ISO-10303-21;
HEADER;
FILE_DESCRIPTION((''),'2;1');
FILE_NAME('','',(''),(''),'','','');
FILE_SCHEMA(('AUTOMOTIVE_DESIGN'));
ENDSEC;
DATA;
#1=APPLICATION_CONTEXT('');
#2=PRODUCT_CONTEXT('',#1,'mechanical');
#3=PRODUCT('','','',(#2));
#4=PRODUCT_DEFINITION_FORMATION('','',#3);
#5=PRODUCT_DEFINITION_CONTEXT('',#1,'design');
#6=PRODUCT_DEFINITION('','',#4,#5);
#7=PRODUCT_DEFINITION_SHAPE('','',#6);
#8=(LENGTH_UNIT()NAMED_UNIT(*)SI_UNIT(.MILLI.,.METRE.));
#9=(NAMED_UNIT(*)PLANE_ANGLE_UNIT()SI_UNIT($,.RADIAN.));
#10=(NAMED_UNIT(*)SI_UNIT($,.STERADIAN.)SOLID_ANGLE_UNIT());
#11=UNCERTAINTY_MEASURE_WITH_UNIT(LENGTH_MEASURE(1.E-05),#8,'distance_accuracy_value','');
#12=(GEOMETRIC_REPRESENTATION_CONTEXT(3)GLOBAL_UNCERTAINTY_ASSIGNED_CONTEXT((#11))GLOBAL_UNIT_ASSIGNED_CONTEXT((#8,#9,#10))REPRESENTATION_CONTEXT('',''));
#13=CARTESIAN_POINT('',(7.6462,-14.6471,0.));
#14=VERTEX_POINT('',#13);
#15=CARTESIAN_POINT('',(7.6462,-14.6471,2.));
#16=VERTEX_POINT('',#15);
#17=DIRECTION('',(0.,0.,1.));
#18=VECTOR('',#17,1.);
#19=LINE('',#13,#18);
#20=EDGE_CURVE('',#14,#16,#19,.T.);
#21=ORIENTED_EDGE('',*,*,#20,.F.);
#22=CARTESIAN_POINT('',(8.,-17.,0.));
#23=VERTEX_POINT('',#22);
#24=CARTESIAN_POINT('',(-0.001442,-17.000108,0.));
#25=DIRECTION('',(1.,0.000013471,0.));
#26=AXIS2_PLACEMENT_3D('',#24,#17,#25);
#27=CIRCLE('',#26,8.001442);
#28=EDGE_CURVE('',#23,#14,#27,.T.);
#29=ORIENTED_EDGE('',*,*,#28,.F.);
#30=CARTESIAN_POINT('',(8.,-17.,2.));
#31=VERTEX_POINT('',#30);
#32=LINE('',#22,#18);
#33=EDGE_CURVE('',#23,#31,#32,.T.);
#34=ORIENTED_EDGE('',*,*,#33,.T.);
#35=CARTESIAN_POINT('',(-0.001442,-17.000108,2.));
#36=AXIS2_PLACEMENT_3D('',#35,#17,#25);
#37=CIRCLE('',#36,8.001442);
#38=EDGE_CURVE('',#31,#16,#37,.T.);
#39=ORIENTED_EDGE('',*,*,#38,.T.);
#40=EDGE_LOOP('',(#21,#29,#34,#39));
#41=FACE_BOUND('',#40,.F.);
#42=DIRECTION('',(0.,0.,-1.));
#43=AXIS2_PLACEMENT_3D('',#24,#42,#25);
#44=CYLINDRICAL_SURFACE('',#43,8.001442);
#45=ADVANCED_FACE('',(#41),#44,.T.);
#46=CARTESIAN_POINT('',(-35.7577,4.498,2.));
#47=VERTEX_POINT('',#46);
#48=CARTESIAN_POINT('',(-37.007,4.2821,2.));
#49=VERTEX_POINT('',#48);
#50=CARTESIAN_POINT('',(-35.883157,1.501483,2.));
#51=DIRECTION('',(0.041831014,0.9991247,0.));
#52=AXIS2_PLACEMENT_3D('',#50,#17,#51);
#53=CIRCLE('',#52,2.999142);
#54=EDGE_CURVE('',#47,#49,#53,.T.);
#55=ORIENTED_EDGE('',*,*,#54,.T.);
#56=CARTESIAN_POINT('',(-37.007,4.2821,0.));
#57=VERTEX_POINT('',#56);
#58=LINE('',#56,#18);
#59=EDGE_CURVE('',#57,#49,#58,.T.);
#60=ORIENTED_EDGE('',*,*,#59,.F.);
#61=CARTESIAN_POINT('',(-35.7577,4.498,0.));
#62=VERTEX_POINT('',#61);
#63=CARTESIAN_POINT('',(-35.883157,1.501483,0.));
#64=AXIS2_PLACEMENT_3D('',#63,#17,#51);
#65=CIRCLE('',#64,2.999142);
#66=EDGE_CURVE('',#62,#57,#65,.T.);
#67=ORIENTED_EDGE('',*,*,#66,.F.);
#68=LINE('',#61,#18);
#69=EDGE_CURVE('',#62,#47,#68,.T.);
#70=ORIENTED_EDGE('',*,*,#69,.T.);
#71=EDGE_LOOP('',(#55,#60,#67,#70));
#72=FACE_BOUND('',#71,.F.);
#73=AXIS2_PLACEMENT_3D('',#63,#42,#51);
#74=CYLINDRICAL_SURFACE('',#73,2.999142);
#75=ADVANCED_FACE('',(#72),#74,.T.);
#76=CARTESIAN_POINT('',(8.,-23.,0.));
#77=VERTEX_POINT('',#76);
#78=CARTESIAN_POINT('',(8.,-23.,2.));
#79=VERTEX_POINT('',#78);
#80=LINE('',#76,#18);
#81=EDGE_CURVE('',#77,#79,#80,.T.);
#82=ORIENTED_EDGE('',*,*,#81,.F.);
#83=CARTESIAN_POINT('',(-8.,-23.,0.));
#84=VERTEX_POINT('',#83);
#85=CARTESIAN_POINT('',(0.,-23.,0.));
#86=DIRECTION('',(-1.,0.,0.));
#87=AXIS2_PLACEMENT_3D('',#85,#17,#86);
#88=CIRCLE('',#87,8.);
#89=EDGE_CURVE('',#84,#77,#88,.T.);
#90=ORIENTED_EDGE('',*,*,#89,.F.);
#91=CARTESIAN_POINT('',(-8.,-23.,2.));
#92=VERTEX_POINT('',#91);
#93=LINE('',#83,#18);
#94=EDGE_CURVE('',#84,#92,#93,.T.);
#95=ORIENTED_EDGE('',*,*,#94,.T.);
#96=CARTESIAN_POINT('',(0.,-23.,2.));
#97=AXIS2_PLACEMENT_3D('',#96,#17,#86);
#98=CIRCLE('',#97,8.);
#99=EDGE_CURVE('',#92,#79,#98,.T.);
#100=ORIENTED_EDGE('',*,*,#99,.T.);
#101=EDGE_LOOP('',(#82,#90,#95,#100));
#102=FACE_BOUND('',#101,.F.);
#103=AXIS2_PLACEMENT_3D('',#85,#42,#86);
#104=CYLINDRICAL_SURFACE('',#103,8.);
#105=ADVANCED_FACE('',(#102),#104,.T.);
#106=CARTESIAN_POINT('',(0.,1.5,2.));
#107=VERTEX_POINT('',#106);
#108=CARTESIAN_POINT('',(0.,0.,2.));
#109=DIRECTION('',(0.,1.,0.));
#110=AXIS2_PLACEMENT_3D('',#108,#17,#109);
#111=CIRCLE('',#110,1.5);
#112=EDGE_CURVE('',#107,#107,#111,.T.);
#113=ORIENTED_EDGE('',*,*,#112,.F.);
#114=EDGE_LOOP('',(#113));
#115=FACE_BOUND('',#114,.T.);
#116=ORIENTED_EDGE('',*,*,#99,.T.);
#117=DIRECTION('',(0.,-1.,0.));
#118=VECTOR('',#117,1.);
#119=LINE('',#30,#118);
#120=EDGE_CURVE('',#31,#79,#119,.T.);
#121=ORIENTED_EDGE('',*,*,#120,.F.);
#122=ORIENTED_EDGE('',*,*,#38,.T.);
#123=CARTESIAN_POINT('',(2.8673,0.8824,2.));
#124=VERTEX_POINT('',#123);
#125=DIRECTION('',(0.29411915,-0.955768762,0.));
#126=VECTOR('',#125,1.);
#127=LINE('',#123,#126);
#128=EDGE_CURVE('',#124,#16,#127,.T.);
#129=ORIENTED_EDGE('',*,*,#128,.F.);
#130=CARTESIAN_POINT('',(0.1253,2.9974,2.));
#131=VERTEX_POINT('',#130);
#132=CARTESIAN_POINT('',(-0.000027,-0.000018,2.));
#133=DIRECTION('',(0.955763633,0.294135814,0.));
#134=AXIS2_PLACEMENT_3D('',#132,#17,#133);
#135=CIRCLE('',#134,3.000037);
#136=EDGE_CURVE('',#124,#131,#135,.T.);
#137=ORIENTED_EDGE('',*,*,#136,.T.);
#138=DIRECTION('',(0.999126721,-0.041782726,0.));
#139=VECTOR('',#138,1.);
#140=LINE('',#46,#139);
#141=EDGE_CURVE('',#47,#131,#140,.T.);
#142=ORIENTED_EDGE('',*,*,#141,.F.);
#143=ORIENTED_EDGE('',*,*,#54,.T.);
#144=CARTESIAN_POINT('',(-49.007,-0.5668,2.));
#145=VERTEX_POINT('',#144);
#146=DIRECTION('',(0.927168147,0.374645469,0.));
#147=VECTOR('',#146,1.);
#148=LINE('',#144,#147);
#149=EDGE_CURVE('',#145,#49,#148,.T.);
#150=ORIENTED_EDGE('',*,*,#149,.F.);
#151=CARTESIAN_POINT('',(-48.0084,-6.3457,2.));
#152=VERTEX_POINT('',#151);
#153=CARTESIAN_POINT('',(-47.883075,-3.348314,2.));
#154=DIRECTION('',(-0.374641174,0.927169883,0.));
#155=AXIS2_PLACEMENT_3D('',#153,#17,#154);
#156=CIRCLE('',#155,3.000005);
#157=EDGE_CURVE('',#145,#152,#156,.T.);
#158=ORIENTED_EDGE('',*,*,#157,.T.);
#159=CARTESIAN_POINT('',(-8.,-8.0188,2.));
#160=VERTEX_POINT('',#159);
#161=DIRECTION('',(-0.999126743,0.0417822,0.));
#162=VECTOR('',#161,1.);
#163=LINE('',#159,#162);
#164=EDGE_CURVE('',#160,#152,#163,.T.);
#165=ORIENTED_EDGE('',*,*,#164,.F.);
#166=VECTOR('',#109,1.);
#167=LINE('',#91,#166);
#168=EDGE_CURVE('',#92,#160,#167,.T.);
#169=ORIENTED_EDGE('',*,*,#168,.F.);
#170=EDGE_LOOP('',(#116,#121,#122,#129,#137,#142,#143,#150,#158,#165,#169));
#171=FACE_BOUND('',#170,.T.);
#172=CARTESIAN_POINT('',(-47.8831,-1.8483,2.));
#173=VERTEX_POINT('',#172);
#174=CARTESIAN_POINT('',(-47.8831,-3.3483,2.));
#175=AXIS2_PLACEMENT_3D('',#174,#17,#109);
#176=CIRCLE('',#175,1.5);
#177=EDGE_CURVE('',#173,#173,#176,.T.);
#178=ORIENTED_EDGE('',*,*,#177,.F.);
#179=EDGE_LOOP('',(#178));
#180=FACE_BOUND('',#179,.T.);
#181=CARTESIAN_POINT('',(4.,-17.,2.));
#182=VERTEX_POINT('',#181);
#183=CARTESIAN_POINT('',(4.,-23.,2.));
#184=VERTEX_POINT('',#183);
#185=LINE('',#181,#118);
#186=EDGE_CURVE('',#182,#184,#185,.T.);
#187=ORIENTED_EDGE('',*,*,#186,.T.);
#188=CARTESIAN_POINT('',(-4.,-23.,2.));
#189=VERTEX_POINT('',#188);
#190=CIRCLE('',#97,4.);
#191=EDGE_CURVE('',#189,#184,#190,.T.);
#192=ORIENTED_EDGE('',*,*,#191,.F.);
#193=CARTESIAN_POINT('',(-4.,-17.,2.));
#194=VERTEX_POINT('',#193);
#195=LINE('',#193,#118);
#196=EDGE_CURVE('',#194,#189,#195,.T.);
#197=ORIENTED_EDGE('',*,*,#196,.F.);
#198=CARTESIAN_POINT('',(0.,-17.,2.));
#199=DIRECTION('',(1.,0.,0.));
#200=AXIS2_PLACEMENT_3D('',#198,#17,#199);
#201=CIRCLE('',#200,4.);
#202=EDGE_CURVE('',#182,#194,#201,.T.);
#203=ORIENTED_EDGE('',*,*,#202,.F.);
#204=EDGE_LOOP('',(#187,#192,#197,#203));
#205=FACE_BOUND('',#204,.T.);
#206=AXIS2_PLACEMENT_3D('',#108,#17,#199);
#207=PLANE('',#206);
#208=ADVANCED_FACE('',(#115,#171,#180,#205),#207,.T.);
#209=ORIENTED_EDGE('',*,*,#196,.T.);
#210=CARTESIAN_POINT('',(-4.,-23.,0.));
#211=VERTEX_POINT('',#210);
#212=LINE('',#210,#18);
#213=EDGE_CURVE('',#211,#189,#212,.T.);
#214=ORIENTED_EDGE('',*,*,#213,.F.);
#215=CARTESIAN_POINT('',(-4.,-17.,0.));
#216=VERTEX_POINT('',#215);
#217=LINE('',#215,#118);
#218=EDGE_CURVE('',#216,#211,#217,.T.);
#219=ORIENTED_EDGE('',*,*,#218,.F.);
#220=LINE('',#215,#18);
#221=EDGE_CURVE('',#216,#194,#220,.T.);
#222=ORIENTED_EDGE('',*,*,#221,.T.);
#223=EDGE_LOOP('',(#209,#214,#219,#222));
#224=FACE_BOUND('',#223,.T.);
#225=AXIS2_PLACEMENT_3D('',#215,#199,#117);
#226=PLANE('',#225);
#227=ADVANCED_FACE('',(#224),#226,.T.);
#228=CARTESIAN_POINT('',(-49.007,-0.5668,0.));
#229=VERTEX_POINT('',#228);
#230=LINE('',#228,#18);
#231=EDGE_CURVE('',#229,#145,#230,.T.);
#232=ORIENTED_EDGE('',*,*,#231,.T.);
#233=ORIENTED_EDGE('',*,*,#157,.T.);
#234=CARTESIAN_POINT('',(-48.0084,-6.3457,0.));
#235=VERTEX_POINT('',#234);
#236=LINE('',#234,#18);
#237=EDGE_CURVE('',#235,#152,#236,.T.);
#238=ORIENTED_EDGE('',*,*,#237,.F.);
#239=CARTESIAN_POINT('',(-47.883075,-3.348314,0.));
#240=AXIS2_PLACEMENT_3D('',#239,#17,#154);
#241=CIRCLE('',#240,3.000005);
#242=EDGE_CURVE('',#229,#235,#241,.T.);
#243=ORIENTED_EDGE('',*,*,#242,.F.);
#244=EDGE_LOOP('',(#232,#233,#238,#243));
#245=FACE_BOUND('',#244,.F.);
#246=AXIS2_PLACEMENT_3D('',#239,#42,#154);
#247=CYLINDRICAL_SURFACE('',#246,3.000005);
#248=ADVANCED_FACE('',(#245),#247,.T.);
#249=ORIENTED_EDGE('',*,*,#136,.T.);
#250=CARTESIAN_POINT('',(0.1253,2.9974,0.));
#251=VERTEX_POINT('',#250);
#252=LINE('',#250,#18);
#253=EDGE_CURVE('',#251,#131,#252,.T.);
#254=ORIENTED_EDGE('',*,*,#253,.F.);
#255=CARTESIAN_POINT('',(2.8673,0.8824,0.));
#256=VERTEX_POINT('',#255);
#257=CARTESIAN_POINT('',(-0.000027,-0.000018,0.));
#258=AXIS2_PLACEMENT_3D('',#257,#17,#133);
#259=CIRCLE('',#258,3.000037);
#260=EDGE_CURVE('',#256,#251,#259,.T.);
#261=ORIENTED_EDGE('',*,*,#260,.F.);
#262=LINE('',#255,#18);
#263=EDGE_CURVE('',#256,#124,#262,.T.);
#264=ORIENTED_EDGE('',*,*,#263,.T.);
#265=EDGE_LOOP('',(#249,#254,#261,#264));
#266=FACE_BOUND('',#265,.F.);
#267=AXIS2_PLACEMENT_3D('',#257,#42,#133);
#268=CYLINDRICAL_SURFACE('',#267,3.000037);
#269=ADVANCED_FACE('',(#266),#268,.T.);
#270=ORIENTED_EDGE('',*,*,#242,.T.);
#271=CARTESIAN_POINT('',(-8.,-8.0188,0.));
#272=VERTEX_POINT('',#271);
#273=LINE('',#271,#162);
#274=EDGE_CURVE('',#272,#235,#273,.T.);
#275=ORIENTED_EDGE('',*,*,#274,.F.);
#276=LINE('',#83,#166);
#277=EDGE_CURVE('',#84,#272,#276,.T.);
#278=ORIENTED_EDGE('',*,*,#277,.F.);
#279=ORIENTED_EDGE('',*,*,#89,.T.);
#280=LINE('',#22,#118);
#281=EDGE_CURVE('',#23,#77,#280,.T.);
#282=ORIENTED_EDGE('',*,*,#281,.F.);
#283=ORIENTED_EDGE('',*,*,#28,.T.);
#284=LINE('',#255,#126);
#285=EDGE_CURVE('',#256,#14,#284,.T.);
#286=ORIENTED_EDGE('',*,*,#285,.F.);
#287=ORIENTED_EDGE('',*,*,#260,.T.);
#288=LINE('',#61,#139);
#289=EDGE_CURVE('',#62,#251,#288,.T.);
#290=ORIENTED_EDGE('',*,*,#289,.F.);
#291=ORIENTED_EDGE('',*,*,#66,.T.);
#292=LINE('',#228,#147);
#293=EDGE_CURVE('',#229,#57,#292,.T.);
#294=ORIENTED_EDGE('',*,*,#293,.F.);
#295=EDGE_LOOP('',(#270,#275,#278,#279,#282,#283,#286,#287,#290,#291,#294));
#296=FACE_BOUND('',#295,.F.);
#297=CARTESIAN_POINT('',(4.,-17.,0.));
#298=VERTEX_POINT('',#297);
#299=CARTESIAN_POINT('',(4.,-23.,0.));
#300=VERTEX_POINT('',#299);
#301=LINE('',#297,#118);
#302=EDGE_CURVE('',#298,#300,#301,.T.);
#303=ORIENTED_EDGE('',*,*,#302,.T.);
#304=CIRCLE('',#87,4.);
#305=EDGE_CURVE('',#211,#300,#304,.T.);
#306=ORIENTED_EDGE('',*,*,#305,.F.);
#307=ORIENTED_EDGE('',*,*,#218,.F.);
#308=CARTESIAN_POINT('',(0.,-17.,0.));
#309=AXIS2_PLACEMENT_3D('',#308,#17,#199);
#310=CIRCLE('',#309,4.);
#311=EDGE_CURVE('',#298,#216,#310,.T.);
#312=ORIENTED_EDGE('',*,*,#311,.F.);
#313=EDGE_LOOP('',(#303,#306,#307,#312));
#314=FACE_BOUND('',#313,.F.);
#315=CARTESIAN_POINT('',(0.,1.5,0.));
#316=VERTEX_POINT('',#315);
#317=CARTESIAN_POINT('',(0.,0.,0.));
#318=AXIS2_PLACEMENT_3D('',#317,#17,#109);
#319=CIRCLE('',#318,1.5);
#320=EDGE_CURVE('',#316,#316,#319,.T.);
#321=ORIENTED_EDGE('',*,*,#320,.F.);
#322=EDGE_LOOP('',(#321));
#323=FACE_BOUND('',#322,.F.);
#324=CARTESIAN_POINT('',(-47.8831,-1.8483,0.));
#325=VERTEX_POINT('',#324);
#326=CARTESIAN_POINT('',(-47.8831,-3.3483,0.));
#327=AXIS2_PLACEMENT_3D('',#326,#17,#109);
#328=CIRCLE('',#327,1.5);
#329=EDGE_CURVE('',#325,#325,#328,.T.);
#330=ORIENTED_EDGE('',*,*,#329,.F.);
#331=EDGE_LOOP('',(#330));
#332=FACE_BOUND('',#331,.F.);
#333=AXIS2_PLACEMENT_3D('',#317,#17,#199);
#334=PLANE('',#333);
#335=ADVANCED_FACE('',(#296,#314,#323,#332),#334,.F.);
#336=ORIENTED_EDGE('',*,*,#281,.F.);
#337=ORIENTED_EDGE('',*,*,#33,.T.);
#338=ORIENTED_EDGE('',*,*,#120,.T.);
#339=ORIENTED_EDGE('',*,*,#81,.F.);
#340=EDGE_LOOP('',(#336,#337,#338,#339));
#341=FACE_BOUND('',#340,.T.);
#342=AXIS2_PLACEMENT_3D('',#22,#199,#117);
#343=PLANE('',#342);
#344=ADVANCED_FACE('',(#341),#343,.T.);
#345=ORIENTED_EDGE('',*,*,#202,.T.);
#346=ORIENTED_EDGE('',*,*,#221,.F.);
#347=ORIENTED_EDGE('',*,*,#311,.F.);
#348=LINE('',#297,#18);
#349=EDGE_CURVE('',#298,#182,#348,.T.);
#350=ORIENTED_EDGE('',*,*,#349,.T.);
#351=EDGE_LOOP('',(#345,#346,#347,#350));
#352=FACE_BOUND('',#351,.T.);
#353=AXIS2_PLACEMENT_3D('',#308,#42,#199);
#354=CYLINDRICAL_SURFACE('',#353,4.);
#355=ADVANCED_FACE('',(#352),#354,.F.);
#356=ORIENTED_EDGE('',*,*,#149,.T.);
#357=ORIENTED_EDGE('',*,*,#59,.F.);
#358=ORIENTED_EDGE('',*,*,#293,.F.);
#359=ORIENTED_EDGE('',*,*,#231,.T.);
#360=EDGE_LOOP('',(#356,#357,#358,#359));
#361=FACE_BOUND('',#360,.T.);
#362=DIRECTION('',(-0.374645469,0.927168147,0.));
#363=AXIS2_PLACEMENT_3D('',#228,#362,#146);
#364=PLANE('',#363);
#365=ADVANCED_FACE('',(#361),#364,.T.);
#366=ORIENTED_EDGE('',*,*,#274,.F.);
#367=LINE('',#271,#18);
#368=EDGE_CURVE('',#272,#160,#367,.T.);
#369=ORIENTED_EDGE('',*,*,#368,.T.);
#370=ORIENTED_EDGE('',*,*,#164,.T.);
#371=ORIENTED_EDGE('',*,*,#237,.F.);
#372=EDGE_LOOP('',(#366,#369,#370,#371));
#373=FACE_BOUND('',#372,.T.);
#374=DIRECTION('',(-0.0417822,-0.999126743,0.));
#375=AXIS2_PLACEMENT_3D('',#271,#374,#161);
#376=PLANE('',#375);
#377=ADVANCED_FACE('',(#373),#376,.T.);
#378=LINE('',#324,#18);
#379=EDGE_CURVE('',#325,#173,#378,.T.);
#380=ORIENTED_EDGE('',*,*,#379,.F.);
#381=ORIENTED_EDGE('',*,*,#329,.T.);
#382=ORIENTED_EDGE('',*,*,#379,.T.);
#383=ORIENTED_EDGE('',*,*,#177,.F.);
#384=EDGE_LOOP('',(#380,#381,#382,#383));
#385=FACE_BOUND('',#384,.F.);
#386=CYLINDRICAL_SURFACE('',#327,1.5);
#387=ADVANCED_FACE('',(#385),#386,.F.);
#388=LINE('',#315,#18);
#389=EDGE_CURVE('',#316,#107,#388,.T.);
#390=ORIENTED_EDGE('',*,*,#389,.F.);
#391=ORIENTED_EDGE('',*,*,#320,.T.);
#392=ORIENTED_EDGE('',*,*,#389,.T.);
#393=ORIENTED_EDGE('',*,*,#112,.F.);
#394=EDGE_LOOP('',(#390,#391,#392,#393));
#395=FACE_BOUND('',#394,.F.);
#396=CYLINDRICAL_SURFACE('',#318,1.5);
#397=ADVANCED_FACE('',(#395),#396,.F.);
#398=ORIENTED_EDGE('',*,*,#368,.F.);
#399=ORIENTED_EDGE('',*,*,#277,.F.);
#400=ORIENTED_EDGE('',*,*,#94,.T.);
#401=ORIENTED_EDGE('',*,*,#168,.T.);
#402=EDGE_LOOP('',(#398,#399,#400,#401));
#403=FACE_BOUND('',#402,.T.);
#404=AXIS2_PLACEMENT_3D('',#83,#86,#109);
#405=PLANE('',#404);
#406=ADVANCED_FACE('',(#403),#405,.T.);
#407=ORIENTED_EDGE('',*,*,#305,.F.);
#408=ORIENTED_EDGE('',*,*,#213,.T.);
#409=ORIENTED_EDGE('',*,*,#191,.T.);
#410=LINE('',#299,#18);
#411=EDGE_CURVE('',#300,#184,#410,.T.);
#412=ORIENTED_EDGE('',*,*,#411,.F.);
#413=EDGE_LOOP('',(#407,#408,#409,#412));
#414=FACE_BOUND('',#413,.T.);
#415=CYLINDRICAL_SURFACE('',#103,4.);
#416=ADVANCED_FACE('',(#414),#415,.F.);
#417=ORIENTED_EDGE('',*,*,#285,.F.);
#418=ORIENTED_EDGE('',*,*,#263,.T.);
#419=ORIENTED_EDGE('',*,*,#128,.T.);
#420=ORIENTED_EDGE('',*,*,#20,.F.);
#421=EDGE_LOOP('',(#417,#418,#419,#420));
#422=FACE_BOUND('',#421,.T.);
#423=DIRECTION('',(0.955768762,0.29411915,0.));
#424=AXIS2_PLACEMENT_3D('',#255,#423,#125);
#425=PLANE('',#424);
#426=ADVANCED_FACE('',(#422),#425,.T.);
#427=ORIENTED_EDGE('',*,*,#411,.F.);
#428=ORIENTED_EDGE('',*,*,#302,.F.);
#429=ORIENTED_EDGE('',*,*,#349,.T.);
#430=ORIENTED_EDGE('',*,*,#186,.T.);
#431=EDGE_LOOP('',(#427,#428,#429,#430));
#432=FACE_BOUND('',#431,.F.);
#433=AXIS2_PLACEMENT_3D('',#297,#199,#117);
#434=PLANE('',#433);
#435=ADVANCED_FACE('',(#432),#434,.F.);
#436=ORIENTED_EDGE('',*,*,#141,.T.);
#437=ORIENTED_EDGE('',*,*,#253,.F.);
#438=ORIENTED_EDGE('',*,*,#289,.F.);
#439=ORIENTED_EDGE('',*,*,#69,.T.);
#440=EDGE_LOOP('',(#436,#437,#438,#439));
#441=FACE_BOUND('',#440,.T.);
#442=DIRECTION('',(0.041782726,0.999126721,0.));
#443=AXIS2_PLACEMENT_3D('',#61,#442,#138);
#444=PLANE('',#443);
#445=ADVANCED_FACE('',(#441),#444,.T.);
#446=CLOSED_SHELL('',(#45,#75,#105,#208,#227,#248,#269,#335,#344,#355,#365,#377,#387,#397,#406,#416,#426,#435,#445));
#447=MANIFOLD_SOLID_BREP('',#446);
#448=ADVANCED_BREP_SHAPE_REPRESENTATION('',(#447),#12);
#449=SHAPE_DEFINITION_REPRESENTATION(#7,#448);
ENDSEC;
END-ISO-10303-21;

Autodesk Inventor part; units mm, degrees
ref_plane "YZ Plane" through (0, 0, 0) normal (1, 0, 0) x (0, 1, 0)
ref_plane "XZ Plane" through (0, 0, 0) normal (0, 1, 0) x (-1, 0, 0)
ref_plane "XY Plane" through (0, 0, 0) normal (0, 0, 1) x (1, 0, 0)
sketch "スケッチ1" plane through (0, 0, 0) normal (0, 0, 1) x (1, 0, 0)
  line L0 (0, 0) -> (0, -20) construction
  line L1 (0, -20) -> (-47.8831, -3.3483) construction
  line L2 (-47.8831, -3.3483) -> (0, 0) construction
  arc A0 (-49.007, -0.5668) -> (-48.0084, -6.3457) centre (-47.8831, -3.3483) ccw
  arc A1 (2.8673, 0.8824) -> (0.1253, 2.9974) centre (0, 0) ccw
  arc A2 (-8, -23) -> (8, -23) centre (0, -23) ccw
  arc A3 (4, -17) -> (-4, -17) centre (0, -17) ccw
  arc A4 (-4, -23) -> (4, -23) centre (0, -23) ccw
  line L3 (-4, -17) -> (-4, -23)
  line L4 (4, -17) -> (4, -23)
  line L5 (0, -23) -> (0, -17) construction
  line L6 (2.8673, 0.8824) -> (7.6462, -14.6471)
  line L7 (8, -17) -> (8, -23)
  arc A5 (8, -17) -> (7.6462, -14.6471) centre (0, -17) ccw
  line L8 (-49.007, -0.5668) -> (-37.007, 4.2821)
  line L9 (-35.7577, 4.498) -> (0.1253, 2.9974)
  arc A6 (-35.7577, 4.498) -> (-37.007, 4.2821) centre (-35.8831, 1.5006) ccw
  line L10 (-47.8831, -3.3483) -> (-35.8831, 1.5006) construction
  line L11 (-8, -23) -> (-8, -8.0188)
  line L12 (-8, -8.0188) -> (-48.0084, -6.3457)
  dimension "d0" = 20
  dimension "d2" = 48
  dimension "d3" = 3
  dimension "d13" = 6
  dimension "d14" = 4
  dimension "d15" = 8
  dimension "d17" = 3
  dimension "d18" = 4
  dimension "d20" = 12
  dimension "d21" = 86
extrude "押し出し1" add sketch "スケッチ1" along normal blind 2
hole "穴1" at (-47.8831, -3.3483, 0) at (0, 0, 0) direction (0, 0, 1) diameter 3 end through all
properties part number "COXA_YAW_SUPPORT-LINK_BACK"
